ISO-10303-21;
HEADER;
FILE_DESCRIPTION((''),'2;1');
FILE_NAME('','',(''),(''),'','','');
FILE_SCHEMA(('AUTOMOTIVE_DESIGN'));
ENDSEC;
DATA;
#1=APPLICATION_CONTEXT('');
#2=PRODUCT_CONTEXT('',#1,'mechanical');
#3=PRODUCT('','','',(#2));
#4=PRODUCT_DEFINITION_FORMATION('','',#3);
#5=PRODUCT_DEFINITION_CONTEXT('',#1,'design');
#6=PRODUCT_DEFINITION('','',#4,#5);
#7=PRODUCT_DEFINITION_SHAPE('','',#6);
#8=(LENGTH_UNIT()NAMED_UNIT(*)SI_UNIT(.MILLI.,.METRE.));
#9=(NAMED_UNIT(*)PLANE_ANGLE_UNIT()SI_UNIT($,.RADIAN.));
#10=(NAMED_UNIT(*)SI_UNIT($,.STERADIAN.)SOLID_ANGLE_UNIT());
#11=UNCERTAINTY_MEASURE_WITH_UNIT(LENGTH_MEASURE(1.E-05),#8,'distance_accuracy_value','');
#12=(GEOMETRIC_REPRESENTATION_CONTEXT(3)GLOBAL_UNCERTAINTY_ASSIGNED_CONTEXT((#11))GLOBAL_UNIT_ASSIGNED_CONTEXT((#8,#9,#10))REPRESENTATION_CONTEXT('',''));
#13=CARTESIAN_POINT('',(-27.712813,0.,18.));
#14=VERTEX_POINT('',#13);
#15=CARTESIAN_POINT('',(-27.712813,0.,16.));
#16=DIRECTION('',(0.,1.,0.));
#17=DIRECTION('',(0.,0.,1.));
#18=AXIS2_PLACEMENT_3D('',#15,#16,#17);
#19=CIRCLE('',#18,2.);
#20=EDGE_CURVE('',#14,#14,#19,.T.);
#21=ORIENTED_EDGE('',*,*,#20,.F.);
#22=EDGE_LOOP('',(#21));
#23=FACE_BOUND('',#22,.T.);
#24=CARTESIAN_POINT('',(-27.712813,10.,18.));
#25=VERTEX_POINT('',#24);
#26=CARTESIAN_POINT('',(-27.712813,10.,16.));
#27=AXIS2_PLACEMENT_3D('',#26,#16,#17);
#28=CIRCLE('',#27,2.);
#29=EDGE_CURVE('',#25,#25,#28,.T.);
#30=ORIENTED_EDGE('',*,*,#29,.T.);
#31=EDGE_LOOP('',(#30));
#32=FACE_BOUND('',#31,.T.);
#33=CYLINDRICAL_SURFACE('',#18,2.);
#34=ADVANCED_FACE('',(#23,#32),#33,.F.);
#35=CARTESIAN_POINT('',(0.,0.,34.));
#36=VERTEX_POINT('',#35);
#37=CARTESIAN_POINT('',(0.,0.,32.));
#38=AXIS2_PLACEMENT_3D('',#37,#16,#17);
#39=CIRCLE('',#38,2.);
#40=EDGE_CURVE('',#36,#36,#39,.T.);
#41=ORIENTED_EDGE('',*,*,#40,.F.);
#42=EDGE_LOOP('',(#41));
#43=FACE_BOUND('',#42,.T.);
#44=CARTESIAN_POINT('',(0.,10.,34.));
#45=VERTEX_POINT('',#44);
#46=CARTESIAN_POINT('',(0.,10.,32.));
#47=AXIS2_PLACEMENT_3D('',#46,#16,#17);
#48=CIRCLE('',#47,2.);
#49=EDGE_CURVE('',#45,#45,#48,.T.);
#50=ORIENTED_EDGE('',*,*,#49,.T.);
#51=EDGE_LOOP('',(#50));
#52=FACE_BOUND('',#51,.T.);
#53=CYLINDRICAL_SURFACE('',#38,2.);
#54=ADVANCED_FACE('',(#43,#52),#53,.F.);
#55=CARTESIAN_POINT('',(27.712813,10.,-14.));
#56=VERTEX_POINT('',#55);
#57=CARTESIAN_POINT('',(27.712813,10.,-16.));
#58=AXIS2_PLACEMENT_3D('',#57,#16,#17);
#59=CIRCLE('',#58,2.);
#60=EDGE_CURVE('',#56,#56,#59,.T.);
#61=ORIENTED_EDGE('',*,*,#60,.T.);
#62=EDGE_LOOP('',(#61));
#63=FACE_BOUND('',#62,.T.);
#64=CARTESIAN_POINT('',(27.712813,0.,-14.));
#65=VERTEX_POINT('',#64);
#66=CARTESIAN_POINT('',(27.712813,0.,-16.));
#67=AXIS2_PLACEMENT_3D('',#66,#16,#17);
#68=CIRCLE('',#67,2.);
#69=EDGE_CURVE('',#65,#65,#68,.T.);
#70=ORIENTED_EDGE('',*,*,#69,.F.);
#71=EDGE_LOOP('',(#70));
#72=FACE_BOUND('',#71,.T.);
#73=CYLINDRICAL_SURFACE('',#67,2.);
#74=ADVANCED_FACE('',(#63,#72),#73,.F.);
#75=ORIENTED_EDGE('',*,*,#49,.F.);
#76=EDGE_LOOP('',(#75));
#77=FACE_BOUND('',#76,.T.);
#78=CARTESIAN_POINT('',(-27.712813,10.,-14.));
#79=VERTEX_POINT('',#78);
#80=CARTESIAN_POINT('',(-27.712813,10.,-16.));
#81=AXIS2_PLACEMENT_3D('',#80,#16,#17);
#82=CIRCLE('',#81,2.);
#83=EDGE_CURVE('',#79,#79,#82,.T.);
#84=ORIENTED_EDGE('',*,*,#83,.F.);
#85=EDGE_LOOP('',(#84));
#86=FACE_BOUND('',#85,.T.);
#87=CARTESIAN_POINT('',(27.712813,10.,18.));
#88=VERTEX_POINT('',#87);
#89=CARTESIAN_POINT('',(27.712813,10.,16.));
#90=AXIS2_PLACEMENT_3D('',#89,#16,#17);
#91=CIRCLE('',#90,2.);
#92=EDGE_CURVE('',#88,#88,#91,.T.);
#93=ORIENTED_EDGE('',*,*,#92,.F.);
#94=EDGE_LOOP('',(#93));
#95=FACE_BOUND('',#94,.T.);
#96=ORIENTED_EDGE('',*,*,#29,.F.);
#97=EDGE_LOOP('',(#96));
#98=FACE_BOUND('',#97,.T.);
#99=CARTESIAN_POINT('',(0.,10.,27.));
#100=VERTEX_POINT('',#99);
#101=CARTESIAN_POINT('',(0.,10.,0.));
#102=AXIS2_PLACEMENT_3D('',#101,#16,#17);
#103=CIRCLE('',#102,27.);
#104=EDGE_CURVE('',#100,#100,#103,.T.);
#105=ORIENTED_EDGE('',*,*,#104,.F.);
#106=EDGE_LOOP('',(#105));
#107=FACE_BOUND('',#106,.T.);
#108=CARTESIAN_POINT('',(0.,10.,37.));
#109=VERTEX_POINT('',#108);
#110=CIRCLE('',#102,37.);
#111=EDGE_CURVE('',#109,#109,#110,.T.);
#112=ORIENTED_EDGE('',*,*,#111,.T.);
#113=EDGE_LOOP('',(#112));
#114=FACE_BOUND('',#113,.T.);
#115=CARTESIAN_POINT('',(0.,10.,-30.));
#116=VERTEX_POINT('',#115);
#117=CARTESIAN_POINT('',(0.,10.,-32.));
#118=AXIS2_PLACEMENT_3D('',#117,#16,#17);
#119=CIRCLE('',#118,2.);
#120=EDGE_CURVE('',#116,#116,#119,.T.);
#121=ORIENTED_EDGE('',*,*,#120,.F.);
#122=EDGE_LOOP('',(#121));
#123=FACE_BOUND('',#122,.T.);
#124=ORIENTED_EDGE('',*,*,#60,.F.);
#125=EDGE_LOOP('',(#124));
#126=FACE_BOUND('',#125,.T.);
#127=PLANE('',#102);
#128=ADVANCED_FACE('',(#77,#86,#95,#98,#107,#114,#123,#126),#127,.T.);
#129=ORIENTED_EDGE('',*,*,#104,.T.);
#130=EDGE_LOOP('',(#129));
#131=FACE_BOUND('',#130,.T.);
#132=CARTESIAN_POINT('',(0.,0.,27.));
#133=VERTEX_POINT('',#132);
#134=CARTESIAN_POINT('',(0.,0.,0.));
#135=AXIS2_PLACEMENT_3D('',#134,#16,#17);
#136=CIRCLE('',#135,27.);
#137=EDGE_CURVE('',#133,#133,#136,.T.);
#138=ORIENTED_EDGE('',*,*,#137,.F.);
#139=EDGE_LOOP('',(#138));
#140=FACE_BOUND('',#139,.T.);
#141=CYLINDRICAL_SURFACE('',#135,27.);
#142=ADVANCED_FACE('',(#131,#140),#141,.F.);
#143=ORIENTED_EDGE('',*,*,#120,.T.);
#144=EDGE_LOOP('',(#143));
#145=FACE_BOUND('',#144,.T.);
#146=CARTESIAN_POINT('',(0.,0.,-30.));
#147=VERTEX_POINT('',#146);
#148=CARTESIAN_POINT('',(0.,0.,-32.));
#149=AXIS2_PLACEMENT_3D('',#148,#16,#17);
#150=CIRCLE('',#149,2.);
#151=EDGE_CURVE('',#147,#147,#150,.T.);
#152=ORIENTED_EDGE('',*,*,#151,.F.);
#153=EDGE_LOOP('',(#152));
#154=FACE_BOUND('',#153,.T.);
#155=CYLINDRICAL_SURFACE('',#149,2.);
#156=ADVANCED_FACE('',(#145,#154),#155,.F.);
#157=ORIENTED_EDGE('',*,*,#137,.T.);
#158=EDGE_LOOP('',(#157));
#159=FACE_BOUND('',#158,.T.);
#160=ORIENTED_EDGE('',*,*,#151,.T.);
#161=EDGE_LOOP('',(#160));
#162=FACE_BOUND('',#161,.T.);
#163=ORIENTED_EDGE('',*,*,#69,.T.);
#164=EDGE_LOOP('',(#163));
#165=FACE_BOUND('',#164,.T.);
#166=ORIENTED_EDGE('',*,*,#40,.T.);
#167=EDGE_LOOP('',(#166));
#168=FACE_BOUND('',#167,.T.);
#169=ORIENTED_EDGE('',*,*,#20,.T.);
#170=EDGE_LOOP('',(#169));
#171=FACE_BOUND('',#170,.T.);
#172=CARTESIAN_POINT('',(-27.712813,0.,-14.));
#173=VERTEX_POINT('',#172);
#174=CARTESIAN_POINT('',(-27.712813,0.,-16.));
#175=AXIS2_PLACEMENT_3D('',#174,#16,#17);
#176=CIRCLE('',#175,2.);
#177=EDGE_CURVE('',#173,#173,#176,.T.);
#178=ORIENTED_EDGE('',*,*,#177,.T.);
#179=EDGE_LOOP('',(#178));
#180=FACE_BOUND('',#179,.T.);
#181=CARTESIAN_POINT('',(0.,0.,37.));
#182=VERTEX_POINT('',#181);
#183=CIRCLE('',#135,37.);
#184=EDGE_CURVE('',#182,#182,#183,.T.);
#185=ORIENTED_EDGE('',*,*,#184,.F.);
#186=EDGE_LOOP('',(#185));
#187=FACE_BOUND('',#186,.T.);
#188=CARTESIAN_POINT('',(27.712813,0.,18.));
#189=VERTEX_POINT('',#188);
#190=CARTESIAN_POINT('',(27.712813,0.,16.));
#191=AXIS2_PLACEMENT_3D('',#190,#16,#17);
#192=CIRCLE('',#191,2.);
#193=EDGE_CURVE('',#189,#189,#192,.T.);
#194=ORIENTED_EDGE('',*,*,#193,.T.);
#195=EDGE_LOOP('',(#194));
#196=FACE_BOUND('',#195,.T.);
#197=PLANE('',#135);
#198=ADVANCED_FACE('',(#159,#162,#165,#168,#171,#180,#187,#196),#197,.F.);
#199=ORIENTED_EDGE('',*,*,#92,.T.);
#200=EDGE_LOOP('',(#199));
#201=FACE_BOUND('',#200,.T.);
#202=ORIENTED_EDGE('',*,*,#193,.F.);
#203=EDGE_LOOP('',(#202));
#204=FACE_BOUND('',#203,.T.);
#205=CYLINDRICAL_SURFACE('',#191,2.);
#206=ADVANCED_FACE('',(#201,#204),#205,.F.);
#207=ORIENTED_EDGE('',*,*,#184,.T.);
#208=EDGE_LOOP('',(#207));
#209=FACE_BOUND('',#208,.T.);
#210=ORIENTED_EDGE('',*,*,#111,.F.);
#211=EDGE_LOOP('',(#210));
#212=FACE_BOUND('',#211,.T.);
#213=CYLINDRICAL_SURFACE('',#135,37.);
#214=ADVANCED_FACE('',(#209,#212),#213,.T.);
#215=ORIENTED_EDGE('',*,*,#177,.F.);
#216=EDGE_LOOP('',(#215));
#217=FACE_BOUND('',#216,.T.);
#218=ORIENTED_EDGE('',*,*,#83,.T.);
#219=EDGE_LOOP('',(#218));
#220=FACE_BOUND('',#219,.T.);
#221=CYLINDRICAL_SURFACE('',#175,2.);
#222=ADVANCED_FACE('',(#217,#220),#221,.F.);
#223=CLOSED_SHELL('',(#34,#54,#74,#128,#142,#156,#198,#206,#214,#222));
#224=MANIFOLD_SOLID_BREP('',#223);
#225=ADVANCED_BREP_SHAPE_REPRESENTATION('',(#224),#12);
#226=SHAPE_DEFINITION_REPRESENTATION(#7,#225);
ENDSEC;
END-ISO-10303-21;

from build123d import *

# Parameters (mm, degrees)
SKETCH1_R           = 45
BOSS_EXTRUDE1_DEPTH = 10
SKETCH2_R           = 45
SKETCH2_R_2         = 37
SKETCH2_R_3         = 27
CUT_EXTRUDE1_DEPTH  = 10
SKETCH3_R           = 2
CUT_EXTRUDE2_DEPTH  = 10


with BuildPart() as part:
    # Sketch1 → Boss-Extrude1 (new body)
    with BuildSketch(Plane(origin=(0, 0, 0), x_dir=(1, 0, 0), z_dir=(0, 1, 0))):
        with Locations(Location((0, 0, 0), (0, 0, 270))):
            Circle(SKETCH1_R)
    extrude(amount=BOSS_EXTRUDE1_DEPTH)

    # Sketch2 → Cut-Extrude1 (cut)
    with BuildSketch(Plane(origin=(0, 10, 0), x_dir=(1, 0, 0), z_dir=(0, 1, 0))):
        Circle(SKETCH2_R)
        with Locations(Location((0, 0, 0), (0, 0, 270))):
            Circle(SKETCH2_R_2, mode=Mode.SUBTRACT)
        with Locations(Location((0, 0, 0), (0, 0, 270))):
            Circle(SKETCH2_R_3)
    extrude(amount=-CUT_EXTRUDE1_DEPTH, mode=Mode.SUBTRACT)

    # Sketch3 → Cut-Extrude2 (cut)
    with BuildSketch(Plane(origin=(0, 10, 0), x_dir=(1, 0, 0), z_dir=(0, 1, 0))):
        with Locations(Location((0, 32, 0), (0, 0, 270))):
            Circle(SKETCH3_R)
        with Locations(Location((27.712812921, 16, 0), (0, 0, 270))):
            Circle(SKETCH3_R)
        with Locations(Location((27.712812921, -16, 0), (0, 0, 270))):
            Circle(SKETCH3_R)
        with Locations(Location((0, -32, 0), (0, 0, 270))):
            Circle(SKETCH3_R)
        with Locations(Location((-27.712812921, -16, 0), (0, 0, 270))):
            Circle(SKETCH3_R)
        with Locations(Location((-27.712812921, 16, 0), (0, 0, 270))):
            Circle(SKETCH3_R)
    extrude(amount=-CUT_EXTRUDE2_DEPTH, mode=Mode.SUBTRACT)


solid = part.part
